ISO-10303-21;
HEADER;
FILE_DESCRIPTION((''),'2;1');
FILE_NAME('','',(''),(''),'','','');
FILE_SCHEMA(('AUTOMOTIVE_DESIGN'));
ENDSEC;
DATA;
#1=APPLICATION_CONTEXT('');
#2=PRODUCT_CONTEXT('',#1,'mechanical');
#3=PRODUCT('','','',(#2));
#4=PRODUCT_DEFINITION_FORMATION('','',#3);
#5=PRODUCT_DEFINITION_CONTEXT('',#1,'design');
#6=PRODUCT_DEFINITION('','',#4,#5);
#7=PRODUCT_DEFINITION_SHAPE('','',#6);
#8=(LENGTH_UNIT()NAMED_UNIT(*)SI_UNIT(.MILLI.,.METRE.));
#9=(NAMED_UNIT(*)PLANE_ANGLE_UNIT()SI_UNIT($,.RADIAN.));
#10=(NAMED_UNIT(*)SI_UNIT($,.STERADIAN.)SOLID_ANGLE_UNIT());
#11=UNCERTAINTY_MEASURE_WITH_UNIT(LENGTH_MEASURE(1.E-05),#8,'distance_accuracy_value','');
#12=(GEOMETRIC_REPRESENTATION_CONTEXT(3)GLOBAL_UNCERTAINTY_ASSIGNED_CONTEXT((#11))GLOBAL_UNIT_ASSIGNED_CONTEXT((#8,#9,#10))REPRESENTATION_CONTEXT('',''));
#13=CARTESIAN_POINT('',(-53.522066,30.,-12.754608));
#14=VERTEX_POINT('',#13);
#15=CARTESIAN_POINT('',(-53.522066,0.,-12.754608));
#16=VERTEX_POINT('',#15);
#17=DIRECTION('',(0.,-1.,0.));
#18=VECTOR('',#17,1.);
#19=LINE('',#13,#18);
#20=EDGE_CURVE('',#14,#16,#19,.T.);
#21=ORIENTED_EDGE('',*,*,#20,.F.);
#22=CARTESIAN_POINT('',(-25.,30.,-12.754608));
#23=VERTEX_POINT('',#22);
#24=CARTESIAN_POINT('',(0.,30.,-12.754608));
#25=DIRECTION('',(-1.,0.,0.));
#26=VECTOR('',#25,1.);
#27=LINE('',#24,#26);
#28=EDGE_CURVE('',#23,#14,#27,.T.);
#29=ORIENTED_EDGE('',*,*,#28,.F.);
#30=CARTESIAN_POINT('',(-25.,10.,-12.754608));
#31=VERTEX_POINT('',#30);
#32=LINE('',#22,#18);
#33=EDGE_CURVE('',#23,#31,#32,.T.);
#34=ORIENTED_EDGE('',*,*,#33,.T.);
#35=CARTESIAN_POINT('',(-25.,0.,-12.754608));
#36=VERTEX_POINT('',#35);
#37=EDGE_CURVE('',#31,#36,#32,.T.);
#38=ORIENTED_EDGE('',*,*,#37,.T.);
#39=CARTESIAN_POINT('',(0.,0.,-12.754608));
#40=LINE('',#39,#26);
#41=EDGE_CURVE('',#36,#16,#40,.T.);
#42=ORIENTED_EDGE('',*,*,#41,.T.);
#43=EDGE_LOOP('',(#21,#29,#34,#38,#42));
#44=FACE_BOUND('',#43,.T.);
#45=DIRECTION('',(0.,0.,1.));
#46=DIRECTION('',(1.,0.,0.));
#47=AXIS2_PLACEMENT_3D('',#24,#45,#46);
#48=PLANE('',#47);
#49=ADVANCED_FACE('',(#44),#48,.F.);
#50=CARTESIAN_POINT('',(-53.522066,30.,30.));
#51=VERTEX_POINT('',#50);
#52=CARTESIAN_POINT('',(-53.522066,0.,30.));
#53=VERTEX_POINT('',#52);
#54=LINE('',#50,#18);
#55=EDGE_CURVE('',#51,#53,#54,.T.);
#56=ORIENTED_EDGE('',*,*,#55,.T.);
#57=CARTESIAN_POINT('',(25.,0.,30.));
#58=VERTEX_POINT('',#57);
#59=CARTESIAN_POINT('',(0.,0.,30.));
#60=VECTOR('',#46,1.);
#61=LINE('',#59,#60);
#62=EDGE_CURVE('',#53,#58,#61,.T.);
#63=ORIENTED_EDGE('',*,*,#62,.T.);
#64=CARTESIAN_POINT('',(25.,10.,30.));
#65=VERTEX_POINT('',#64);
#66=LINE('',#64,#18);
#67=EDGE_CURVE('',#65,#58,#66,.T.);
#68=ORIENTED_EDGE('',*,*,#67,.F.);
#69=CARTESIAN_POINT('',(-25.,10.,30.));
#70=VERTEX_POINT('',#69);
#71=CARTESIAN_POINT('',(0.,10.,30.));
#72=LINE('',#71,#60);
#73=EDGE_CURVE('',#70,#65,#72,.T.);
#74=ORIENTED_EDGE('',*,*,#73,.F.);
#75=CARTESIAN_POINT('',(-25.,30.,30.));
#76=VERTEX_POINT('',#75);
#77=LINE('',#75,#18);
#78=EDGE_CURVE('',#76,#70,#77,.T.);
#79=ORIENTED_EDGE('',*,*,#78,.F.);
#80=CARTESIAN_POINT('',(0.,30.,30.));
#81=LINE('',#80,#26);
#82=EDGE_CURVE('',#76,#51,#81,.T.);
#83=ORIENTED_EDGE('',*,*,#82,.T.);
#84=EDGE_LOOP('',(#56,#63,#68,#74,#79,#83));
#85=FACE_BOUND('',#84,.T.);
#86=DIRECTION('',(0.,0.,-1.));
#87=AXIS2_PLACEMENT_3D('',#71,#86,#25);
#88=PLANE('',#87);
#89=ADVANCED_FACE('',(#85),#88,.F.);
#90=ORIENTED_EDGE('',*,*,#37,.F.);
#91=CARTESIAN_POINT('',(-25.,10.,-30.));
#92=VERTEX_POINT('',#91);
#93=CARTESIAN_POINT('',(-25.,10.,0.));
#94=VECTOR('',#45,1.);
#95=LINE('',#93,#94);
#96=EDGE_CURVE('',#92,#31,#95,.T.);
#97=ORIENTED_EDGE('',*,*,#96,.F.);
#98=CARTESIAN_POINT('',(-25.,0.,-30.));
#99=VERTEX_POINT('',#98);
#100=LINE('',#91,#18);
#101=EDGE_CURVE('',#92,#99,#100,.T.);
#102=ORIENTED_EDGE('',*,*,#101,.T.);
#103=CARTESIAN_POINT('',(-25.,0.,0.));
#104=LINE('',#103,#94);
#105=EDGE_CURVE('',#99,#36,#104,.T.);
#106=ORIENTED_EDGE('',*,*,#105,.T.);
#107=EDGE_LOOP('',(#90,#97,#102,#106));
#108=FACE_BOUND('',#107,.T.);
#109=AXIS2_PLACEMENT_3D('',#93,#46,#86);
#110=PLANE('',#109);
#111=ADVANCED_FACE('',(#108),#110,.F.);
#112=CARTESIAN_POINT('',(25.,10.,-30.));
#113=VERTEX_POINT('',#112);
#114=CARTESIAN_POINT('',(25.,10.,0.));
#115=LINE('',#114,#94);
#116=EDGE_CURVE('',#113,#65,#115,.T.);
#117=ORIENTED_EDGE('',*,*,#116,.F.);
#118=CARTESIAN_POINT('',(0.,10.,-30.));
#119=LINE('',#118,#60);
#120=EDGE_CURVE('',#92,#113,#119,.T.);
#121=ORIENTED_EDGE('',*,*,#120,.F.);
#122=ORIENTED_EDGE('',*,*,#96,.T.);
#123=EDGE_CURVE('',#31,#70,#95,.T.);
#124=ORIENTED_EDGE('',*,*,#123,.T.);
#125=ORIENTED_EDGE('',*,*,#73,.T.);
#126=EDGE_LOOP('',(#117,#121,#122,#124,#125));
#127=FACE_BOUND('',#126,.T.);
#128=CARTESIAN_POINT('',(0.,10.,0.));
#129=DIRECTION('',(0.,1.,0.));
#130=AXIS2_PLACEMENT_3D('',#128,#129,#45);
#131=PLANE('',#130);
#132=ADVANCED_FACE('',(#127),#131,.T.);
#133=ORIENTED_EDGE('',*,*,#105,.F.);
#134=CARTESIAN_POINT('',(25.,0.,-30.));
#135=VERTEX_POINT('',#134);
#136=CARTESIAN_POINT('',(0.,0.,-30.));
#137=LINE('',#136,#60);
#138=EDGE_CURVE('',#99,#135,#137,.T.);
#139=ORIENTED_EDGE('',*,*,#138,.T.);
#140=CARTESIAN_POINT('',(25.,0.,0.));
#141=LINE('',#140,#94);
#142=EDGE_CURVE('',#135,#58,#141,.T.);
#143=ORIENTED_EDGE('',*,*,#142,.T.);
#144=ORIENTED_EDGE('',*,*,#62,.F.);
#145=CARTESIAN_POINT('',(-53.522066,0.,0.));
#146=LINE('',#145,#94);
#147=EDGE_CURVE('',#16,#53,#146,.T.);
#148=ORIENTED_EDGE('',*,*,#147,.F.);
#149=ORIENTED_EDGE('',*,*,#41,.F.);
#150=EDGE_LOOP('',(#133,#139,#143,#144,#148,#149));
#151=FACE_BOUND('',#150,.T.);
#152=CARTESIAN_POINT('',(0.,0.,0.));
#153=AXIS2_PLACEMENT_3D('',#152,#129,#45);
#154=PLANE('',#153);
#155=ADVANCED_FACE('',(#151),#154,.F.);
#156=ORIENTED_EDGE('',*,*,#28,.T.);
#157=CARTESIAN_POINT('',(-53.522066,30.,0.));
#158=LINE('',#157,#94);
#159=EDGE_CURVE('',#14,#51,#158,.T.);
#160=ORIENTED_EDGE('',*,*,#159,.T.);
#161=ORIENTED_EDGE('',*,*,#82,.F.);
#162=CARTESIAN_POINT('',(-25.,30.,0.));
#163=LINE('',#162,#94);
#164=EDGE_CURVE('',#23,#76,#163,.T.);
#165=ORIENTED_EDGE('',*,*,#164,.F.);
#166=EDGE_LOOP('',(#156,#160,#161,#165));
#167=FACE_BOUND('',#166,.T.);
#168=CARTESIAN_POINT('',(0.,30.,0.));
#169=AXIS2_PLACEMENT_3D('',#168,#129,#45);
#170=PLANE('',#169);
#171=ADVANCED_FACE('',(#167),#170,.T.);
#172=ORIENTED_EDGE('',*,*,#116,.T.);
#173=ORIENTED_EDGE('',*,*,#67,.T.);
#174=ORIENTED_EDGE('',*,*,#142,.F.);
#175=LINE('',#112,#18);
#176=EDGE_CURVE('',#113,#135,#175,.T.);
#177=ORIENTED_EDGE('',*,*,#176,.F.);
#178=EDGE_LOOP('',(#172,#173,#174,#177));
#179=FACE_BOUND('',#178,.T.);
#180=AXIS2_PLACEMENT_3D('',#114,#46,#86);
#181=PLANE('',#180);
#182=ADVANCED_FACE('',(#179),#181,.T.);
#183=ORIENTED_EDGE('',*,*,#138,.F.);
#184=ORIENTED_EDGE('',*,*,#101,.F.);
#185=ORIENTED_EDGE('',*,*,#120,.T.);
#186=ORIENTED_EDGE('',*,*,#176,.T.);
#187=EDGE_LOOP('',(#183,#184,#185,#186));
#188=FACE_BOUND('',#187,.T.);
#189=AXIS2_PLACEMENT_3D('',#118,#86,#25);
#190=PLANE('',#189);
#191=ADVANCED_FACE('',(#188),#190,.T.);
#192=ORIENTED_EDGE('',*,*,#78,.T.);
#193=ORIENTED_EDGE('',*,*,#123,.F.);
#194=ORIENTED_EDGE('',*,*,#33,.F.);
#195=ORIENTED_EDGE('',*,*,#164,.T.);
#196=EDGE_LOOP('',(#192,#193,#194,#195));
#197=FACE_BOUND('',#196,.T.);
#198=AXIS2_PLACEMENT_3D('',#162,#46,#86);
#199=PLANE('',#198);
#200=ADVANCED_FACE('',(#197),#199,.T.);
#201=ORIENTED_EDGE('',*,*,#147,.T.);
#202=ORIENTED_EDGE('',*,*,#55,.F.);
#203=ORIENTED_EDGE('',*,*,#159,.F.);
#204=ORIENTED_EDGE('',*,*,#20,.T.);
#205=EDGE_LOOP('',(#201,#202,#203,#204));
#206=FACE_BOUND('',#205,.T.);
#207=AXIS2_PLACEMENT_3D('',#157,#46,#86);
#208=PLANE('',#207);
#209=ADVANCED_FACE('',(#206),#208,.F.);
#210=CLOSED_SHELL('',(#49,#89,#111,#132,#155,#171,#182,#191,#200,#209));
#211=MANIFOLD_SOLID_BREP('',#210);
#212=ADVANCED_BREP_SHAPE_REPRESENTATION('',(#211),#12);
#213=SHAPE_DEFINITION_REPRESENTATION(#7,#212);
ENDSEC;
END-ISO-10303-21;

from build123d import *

# Parameters (mm, degrees)
BOSS_EXTRUDE1_DEPTH = 10
SKETCH1_3_W         = 28.522065562
SKETCH1_3_H         = 42.754608123
BOSS_EXTRUDE2_DEPTH = 30


with BuildPart() as part:
    # Sketch1 → Boss-Extrude1 (new body)
    with BuildSketch(Plane(origin=(0, 0, 0), x_dir=(1, 0, 0), z_dir=(0, 1, 0))):
        Polygon((25, 30), (-25, 30), (-25, 12.754608123), (-25, -30), (25, -30), align=None)
    extrude(amount=BOSS_EXTRUDE1_DEPTH)

    # Sketch1<3> → Boss-Extrude2 (add)
    with BuildSketch(Plane(origin=(0, 0, 0), x_dir=(1, 0, 0), z_dir=(0, 1, 0))):
        with Locations((-39.261032781, -8.622695939)):
            Rectangle(SKETCH1_3_W, SKETCH1_3_H)
    extrude(amount=BOSS_EXTRUDE2_DEPTH)


solid = part.part
